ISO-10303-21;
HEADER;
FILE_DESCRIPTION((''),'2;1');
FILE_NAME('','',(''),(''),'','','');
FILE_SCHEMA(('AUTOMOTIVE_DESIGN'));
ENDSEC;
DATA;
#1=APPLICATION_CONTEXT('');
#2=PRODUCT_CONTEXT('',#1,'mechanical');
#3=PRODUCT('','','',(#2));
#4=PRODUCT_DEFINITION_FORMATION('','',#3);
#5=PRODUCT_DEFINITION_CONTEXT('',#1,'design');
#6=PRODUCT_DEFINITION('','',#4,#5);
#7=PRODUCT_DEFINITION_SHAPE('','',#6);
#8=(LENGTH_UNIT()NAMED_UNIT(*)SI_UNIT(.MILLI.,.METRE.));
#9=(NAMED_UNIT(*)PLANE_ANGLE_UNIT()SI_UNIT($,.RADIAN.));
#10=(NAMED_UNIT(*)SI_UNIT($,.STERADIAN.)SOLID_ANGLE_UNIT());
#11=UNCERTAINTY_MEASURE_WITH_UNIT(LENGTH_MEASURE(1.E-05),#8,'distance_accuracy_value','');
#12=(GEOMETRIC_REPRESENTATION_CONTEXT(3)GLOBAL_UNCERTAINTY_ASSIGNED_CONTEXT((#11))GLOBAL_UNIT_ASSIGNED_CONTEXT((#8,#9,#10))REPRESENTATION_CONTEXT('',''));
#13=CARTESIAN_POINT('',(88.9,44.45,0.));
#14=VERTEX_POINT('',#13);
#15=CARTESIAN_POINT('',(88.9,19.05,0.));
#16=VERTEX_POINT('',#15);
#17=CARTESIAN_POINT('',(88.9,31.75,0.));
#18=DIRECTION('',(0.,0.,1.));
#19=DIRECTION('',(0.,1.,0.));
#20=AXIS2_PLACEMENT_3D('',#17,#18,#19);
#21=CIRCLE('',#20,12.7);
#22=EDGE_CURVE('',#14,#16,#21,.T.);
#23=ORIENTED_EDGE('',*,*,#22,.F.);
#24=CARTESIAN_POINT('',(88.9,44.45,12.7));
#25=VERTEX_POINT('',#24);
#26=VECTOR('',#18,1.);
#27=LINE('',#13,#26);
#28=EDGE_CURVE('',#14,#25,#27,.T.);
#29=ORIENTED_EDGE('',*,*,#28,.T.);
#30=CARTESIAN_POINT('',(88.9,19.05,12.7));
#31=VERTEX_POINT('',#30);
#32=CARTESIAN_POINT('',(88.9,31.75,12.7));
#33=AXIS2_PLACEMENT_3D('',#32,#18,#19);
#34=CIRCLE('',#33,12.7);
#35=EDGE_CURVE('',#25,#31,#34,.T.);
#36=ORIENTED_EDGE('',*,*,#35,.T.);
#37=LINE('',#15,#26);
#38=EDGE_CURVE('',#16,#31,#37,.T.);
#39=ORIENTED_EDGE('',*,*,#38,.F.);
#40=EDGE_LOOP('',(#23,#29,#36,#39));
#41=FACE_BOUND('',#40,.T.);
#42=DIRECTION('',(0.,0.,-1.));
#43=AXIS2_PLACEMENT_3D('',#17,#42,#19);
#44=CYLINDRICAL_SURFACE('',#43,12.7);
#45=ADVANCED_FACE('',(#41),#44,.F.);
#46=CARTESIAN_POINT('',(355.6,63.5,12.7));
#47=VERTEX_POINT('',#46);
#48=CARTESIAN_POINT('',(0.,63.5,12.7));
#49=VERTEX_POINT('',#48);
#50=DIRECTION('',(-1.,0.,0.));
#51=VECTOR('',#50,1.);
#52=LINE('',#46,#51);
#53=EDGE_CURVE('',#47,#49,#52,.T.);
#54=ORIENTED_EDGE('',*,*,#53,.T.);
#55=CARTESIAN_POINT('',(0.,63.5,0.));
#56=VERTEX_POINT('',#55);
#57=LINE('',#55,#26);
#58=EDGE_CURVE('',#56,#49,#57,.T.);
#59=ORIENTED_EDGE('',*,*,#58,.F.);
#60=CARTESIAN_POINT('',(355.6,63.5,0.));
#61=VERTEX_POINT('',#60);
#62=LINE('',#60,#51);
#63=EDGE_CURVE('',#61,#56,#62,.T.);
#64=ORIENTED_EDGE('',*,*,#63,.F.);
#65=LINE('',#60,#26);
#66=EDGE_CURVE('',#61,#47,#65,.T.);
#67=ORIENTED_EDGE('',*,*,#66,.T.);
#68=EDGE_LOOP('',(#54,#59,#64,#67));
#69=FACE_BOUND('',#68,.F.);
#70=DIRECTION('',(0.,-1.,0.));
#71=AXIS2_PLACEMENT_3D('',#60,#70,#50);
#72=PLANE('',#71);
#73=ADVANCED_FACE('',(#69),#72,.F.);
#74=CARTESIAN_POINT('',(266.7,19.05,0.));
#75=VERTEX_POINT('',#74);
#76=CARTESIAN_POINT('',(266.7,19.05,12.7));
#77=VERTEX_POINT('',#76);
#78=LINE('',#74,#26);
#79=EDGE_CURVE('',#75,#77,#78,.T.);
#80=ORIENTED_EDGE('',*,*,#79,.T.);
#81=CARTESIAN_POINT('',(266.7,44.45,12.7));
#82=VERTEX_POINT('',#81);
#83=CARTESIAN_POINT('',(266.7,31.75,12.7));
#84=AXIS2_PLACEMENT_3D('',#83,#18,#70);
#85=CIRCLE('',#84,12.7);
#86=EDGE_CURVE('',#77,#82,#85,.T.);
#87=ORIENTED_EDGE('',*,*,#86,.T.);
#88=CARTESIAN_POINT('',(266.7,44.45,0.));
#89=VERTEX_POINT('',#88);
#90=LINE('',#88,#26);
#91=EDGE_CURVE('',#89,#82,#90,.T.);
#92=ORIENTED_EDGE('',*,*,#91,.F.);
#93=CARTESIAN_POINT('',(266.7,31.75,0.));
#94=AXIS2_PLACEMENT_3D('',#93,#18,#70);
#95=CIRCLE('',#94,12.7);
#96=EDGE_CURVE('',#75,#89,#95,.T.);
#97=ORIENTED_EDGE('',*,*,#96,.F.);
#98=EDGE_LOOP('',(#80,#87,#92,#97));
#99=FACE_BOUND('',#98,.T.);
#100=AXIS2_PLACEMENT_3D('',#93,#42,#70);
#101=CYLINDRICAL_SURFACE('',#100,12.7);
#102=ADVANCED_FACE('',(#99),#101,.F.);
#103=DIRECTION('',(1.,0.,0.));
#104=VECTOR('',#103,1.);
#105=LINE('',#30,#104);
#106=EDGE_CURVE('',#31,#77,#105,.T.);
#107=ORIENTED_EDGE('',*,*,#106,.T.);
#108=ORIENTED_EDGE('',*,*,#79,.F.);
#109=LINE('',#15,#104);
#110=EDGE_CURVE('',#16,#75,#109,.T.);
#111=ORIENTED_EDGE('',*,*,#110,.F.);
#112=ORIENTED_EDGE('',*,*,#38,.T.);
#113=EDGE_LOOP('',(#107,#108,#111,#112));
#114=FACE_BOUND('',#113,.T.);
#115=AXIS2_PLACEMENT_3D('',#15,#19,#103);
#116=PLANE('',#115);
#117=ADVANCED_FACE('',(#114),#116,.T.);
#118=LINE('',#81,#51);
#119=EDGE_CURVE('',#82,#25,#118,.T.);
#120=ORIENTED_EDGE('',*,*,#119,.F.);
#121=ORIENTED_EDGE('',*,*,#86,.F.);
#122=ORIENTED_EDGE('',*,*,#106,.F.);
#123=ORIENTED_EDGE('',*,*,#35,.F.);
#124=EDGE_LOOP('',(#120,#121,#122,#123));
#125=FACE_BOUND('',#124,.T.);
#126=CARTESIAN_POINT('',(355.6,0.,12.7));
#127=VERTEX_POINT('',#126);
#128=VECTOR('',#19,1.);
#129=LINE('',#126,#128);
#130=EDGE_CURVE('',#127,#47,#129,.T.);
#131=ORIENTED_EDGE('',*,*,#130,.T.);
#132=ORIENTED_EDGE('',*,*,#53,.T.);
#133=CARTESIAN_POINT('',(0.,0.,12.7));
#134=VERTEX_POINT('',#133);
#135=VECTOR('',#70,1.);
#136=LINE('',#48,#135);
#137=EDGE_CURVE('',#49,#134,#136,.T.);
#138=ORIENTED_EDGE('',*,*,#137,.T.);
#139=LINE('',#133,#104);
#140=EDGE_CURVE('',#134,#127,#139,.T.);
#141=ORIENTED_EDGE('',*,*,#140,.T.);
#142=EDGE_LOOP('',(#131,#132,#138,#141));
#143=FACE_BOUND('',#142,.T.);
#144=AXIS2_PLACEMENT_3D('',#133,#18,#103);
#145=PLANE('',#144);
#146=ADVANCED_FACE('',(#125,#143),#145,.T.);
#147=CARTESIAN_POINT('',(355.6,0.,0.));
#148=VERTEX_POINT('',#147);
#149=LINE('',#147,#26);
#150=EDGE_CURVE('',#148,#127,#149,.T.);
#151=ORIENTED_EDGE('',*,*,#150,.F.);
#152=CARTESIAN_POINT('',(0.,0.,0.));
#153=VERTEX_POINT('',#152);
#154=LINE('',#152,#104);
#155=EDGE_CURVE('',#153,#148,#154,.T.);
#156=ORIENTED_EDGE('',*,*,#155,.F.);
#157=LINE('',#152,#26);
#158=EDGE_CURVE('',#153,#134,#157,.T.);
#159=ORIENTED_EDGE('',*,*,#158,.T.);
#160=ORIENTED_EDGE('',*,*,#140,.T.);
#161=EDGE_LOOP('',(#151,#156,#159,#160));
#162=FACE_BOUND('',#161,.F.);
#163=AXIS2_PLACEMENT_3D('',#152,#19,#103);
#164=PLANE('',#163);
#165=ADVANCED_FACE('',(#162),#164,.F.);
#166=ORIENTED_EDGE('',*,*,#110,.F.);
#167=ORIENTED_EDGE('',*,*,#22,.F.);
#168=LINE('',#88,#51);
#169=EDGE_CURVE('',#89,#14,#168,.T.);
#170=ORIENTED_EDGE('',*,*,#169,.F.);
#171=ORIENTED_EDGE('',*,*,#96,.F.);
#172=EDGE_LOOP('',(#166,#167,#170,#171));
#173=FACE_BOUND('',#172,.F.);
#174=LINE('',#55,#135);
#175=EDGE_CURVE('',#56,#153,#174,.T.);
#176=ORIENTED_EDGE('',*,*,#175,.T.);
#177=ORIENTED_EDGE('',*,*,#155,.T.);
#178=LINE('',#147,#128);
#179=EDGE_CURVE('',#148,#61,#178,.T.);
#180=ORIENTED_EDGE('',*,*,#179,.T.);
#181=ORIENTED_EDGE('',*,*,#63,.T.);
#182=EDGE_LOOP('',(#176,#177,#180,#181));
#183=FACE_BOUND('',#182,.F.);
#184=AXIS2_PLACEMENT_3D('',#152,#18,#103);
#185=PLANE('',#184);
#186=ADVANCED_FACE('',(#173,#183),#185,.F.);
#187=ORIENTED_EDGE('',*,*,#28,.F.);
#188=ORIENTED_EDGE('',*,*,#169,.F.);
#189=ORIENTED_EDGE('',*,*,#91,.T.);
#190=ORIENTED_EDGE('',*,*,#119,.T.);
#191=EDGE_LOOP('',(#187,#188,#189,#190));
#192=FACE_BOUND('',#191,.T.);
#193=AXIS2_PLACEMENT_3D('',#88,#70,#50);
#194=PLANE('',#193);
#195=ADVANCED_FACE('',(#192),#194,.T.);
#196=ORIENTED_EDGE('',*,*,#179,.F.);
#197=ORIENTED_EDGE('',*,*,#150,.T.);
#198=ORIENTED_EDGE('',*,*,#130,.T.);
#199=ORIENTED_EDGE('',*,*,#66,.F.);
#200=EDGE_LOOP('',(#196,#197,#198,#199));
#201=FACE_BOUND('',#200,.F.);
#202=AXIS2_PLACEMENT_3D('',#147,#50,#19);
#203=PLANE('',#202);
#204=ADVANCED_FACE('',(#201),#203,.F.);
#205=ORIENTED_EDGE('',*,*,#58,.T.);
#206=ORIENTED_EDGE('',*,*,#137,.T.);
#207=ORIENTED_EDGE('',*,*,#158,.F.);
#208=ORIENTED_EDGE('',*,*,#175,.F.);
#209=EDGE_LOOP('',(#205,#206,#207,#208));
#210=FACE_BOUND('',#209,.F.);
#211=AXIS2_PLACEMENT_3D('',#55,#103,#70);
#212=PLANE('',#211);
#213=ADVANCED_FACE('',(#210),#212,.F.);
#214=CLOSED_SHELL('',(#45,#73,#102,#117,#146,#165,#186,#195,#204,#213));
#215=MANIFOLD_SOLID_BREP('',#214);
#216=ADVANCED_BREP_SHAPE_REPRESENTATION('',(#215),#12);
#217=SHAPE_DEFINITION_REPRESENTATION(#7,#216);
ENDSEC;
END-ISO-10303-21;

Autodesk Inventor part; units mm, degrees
ref_plane "YZ Plane" through (0, 0, 0) normal (1, 0, 0) x (0, 1, 0)
ref_plane "XZ Plane" through (0, 0, 0) normal (0, 1, 0) x (-1, 0, 0)
ref_plane "XY Plane" through (0, 0, 0) normal (0, 0, 1) x (1, 0, 0)
sketch "Sketch1" plane through (0, 0, 0) normal (0, 0, 1) x (1, 0, 0)
  line L0 (0, 0) -> (355.6, 0)
  line L1 (355.6, 0) -> (355.6, 63.5)
  line L2 (355.6, 63.5) -> (0, 63.5)
  line L3 (0, 63.5) -> (0, 0)
  line L4 (88.9, 31.75) -> (266.7, 31.75) construction
  line L5 (88.9, 19.05) -> (266.7, 19.05)
  line L6 (266.7, 44.45) -> (88.9, 44.45)
  arc A0 (88.9, 44.45) -> (88.9, 19.05) centre (88.9, 31.75) ccw
  arc A1 (266.7, 19.05) -> (266.7, 44.45) centre (266.7, 31.75) ccw
  point P0 (177.8, 31.75)
  dimension "d0" = 355.6
  dimension "d1" = 63.5
  dimension "d4" = 25.4
  dimension "d5" = 177.8
  dimension "d6" = 177.8
extrude "Extrusion1" add sketch "Sketch1" along normal blind 12.7
properties part number "Electronics Side Plate"
